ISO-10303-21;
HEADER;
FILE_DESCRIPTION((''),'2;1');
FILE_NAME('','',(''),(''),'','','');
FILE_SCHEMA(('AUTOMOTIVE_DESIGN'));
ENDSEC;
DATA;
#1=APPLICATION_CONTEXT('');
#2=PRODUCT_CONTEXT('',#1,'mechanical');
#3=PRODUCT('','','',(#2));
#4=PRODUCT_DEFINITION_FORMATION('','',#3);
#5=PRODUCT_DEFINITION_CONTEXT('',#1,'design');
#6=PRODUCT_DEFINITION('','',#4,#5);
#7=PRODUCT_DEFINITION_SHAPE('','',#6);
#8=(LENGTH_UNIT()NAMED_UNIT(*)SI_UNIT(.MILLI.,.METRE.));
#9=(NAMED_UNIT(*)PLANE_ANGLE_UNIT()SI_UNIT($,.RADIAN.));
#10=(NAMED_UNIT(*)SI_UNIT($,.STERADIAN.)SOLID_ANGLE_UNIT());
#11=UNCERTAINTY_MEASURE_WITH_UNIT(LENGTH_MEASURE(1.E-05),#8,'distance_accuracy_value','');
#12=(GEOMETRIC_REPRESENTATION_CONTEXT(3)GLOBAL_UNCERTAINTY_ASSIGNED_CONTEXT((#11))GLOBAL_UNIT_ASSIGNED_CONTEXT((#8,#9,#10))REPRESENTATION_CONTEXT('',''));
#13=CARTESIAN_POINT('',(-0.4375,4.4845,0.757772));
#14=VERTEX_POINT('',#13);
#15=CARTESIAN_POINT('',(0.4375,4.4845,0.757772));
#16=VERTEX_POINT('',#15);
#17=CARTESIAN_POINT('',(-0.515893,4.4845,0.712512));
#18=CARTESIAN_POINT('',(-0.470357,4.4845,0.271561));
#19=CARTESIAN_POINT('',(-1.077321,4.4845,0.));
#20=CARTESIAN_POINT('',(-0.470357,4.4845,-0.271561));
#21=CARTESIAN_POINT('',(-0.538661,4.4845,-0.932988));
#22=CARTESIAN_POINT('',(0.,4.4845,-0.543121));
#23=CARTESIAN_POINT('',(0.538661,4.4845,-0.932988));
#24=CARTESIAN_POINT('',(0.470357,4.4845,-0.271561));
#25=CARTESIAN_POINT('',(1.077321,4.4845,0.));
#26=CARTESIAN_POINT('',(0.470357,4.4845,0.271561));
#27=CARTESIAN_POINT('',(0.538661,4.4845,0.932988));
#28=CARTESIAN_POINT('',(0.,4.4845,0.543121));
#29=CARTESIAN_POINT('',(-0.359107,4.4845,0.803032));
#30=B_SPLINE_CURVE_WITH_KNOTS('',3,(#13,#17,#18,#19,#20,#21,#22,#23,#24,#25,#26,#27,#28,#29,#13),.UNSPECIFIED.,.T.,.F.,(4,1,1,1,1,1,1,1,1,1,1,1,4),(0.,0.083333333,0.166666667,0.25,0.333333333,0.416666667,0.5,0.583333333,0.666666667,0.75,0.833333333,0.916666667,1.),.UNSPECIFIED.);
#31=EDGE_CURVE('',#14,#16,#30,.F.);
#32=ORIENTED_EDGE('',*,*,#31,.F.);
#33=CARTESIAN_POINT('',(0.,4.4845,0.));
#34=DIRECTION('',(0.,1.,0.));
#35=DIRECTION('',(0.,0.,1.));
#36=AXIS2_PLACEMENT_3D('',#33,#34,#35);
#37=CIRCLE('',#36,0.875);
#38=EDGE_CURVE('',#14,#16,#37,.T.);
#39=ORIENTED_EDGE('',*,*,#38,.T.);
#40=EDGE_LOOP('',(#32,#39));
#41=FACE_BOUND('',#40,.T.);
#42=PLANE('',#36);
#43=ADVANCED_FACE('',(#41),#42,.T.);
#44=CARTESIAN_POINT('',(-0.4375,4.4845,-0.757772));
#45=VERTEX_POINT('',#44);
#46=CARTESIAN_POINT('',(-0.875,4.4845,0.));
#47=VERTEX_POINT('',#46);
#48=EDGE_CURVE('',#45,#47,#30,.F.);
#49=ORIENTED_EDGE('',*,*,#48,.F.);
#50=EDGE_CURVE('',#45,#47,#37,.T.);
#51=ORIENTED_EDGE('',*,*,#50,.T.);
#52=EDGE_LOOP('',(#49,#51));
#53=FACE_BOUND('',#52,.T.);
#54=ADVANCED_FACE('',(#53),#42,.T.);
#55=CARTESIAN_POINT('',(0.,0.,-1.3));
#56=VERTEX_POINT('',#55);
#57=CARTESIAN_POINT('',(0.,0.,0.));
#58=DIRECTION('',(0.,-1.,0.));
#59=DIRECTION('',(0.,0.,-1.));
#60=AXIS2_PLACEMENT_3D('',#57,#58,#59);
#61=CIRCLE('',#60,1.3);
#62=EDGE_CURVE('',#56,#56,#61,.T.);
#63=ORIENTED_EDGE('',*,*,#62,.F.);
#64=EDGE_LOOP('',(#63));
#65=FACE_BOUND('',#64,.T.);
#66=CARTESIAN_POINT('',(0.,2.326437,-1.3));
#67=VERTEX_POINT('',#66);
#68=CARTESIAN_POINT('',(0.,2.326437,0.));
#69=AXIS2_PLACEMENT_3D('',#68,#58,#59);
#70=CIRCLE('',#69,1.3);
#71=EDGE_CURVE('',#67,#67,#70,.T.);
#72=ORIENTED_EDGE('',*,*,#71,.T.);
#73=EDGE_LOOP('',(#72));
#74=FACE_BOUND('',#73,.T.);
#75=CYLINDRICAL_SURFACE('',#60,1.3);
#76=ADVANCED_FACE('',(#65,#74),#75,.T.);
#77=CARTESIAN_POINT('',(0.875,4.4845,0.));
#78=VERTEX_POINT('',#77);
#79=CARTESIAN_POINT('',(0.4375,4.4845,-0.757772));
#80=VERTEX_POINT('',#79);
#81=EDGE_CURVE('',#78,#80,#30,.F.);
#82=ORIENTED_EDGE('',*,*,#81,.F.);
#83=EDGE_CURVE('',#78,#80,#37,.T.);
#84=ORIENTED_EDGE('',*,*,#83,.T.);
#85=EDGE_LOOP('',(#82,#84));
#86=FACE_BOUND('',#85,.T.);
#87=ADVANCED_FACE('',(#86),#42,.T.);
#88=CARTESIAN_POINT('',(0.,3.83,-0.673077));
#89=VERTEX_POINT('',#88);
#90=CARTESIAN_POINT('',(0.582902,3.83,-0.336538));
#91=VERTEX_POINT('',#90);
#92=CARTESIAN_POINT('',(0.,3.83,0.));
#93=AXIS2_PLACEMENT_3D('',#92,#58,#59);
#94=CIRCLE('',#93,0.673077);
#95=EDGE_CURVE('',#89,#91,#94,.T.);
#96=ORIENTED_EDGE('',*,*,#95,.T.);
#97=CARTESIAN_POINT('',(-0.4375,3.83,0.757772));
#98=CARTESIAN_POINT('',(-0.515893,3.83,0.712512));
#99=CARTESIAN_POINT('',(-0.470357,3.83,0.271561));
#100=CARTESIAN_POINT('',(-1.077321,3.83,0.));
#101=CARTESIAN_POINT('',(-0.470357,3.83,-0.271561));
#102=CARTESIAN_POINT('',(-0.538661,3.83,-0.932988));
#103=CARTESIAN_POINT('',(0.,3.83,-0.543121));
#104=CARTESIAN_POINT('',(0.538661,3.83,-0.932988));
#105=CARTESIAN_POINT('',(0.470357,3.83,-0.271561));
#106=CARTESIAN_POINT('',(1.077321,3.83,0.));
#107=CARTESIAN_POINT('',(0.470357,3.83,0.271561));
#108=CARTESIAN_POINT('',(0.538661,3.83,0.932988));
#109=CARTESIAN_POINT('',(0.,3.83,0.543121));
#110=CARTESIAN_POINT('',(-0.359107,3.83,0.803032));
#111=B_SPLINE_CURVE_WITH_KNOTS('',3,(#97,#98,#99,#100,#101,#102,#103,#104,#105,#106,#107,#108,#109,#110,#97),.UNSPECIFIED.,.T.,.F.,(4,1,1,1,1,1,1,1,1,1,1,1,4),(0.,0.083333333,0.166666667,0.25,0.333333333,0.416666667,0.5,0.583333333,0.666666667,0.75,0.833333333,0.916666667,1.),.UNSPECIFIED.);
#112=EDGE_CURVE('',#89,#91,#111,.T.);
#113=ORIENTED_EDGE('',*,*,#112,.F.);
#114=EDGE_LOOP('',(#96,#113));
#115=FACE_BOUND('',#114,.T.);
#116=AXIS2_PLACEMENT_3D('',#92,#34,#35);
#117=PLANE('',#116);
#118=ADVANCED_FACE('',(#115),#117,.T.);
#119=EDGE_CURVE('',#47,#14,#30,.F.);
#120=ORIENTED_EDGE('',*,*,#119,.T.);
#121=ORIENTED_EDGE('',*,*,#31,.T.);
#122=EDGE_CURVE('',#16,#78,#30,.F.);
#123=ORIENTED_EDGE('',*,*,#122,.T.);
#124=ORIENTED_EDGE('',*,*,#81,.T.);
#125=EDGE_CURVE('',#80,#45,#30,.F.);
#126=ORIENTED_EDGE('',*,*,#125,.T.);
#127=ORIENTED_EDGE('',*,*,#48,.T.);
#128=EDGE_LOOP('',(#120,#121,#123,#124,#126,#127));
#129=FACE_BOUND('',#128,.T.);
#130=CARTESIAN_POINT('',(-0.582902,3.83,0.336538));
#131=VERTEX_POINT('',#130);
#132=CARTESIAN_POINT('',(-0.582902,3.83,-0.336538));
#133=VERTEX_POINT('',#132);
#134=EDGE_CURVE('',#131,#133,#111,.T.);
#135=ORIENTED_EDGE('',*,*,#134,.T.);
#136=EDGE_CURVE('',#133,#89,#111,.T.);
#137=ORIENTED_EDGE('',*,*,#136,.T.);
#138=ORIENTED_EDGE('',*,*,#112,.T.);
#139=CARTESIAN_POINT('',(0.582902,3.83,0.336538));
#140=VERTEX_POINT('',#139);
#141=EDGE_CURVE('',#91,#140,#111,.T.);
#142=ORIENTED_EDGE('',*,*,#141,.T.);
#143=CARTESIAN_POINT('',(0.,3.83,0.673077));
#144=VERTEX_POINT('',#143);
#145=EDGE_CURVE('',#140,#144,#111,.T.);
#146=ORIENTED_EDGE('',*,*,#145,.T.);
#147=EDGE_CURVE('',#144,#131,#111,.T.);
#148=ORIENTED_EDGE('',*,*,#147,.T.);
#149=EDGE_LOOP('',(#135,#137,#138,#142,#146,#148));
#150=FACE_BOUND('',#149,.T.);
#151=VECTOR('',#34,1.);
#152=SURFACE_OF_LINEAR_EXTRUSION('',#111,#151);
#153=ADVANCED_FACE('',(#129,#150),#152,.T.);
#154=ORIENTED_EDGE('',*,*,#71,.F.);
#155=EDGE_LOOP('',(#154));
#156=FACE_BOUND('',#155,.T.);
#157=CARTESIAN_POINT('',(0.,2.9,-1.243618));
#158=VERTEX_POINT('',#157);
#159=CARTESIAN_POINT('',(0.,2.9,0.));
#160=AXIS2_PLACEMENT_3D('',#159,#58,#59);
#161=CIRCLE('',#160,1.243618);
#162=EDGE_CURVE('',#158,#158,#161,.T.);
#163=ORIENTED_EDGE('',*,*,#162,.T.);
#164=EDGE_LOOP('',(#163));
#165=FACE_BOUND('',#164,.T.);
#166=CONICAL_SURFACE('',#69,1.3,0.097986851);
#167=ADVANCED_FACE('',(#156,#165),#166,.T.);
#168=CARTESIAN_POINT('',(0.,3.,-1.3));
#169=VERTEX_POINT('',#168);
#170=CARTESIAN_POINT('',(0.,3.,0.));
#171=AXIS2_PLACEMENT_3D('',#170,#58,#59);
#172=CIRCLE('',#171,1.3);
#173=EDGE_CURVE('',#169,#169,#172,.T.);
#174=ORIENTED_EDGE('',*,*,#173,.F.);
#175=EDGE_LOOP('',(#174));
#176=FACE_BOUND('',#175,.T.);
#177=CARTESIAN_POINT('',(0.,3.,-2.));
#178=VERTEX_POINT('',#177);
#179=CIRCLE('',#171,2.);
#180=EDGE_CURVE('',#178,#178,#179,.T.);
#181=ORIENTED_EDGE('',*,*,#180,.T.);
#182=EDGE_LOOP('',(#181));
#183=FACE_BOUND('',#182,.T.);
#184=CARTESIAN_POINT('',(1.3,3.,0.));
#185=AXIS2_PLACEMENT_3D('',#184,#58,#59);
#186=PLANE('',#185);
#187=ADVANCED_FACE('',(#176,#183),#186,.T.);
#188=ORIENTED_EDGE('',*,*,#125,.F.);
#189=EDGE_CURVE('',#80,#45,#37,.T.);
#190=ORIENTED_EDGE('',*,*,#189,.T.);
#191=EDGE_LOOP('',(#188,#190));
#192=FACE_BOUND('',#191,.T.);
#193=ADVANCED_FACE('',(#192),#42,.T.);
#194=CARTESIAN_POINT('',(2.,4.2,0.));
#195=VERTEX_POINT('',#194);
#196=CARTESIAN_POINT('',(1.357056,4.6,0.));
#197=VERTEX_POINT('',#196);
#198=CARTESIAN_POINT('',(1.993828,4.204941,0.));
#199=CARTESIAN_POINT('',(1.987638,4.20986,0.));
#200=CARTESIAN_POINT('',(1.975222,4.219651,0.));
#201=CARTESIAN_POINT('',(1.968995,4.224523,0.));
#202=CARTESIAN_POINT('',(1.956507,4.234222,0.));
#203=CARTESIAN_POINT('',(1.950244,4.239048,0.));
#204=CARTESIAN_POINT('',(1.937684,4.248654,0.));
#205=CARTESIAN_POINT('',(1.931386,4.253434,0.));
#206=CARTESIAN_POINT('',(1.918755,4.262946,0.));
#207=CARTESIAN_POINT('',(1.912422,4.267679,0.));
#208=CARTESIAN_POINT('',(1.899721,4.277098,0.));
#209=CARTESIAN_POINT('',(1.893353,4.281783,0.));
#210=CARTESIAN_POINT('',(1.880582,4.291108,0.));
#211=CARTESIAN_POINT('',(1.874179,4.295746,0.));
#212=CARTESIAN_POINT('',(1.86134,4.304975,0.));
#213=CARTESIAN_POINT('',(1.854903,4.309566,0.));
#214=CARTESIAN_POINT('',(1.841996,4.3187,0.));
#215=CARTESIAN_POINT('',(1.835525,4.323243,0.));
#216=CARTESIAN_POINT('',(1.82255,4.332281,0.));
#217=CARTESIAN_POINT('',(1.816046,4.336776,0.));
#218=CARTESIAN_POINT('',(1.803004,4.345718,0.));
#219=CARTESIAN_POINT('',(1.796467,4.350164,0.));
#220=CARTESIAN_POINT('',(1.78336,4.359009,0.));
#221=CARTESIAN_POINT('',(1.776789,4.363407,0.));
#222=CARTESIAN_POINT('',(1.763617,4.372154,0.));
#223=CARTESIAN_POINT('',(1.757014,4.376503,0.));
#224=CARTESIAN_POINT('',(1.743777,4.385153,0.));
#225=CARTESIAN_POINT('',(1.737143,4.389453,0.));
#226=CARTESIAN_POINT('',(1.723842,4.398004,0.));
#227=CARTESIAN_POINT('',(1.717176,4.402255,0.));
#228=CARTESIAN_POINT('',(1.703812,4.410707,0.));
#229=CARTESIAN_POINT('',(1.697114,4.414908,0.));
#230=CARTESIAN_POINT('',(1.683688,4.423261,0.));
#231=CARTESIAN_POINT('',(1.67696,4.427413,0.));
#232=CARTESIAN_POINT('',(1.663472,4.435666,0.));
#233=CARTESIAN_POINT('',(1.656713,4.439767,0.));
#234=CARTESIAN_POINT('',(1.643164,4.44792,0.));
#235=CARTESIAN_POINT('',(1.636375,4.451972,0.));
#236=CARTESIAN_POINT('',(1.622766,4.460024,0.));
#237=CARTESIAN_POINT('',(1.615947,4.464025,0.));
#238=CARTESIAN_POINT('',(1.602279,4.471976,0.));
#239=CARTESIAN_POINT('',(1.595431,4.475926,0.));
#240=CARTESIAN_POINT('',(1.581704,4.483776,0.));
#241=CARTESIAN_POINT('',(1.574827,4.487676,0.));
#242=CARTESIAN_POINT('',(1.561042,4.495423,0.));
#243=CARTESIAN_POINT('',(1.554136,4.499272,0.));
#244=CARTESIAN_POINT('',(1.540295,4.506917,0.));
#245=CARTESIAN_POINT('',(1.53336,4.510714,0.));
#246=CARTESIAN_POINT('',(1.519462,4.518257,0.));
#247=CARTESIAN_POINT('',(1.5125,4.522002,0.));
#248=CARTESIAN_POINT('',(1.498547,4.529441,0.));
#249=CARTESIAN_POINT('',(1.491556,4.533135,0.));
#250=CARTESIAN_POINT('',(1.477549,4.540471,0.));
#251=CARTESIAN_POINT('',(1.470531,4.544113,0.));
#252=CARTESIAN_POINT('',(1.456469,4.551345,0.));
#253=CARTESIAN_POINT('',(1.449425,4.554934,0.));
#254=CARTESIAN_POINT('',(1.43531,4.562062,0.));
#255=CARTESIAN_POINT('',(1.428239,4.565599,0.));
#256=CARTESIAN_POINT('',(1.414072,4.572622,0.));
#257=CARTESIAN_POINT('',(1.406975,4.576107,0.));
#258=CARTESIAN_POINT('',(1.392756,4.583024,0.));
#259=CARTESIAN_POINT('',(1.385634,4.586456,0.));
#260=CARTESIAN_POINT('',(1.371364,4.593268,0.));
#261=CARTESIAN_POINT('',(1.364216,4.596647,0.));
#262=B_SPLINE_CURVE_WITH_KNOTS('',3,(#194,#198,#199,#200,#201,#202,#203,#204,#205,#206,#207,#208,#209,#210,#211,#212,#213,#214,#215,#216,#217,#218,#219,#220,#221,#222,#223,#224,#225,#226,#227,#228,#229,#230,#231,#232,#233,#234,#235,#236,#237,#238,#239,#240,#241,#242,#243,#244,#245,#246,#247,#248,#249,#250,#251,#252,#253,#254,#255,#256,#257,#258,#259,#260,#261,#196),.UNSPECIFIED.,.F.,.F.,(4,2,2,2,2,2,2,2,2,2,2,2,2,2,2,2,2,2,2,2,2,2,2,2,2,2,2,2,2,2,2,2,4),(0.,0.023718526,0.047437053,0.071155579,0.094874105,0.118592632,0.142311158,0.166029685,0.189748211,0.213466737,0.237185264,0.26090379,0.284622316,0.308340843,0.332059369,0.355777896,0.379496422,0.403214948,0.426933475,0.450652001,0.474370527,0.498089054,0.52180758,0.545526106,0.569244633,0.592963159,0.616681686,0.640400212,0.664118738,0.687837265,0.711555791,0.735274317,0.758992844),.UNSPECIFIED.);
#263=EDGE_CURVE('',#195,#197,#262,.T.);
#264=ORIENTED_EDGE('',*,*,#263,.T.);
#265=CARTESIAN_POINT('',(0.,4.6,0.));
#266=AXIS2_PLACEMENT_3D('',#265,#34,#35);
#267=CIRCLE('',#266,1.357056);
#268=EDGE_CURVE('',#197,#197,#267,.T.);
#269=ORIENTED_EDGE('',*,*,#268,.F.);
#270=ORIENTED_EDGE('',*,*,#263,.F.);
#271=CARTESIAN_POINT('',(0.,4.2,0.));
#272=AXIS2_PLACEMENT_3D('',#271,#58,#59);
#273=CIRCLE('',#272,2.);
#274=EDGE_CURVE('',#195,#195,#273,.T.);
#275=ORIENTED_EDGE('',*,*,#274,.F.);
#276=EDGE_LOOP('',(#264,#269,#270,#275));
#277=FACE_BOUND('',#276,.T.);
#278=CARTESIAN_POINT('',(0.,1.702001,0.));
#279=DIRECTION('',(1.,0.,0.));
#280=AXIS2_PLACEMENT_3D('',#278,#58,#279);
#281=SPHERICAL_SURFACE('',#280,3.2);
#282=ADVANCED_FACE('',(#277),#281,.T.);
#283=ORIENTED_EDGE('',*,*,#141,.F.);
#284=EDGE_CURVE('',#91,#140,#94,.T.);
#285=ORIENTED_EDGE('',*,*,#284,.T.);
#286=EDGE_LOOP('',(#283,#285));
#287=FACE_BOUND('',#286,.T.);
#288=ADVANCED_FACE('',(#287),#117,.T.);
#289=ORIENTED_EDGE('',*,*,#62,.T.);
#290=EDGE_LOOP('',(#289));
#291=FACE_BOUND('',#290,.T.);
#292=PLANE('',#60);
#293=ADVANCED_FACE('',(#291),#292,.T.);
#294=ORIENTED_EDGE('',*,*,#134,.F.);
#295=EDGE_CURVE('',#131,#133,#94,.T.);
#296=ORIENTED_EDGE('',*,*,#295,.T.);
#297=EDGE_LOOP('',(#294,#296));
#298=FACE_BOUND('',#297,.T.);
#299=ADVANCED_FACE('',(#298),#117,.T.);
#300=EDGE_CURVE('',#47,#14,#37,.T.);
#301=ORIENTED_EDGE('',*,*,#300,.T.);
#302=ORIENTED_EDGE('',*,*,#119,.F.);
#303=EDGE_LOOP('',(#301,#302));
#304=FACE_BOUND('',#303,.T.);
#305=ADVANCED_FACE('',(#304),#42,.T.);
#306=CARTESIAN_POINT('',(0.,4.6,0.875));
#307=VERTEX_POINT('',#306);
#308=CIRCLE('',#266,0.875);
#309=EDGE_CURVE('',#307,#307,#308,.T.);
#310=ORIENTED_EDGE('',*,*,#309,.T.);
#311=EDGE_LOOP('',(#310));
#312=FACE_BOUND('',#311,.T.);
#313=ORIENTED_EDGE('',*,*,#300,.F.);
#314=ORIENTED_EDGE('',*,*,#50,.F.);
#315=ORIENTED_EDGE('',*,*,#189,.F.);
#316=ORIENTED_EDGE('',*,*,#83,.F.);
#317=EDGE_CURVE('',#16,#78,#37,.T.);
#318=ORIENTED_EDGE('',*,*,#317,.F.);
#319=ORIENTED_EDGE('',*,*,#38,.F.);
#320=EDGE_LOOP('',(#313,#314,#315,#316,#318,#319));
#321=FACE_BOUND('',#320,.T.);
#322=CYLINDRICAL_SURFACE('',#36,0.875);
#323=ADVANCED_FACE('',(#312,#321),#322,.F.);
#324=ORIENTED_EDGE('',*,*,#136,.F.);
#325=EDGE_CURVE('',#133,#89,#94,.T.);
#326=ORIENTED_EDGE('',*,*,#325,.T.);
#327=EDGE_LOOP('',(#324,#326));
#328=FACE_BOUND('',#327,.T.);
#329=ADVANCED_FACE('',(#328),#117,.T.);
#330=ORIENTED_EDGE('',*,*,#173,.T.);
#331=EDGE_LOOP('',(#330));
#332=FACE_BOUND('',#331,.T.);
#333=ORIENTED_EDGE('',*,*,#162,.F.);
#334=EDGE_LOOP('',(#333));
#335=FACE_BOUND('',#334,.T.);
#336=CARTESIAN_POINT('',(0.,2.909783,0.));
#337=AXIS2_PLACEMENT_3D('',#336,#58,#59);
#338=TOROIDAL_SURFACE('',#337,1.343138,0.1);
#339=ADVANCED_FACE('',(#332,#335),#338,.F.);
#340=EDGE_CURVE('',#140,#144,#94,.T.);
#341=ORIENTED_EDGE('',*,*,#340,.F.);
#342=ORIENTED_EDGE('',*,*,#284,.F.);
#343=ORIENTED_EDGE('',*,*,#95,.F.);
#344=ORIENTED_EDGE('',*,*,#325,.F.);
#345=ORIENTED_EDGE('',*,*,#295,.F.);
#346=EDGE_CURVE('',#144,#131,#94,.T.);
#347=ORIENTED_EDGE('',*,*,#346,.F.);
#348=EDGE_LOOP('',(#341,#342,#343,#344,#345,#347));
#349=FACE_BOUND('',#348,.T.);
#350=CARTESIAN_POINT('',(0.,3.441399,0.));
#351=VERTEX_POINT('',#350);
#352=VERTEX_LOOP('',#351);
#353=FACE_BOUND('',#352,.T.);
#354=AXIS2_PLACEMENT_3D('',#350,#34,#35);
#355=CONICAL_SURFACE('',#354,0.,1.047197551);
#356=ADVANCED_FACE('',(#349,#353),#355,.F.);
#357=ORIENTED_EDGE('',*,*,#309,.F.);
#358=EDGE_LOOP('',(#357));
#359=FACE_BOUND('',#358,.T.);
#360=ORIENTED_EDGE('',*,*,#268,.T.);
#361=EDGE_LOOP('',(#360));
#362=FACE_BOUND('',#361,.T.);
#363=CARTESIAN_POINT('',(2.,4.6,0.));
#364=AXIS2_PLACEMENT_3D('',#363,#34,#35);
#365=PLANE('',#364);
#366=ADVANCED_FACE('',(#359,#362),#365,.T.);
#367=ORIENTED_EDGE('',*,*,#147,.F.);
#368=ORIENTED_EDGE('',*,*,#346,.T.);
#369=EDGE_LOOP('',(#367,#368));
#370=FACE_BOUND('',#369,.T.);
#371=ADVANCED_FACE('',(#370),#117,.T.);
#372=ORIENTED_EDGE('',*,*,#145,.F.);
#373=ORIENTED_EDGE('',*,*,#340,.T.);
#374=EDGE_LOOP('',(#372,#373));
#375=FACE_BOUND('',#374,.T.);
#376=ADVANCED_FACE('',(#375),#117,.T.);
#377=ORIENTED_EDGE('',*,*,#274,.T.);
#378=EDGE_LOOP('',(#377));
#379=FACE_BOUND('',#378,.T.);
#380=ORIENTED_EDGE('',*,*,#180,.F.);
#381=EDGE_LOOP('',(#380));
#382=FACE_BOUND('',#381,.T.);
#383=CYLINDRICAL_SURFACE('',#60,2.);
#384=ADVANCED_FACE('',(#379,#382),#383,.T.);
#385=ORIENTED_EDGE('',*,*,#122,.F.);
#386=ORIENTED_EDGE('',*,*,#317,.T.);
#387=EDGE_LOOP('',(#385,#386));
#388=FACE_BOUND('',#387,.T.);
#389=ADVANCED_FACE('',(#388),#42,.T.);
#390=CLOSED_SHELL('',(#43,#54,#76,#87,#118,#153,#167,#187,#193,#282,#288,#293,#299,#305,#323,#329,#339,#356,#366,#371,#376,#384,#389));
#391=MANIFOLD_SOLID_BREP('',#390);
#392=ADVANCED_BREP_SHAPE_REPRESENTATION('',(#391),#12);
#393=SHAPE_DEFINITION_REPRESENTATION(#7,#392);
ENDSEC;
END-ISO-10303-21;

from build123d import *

# Parameters (mm, degrees)
RECESS_CUT_EXTRUDE1_DEPTH = 0.77
SKETCH7_R                 = 0.875
RECESS_CUT_EXTRUDE2_DEPTH = 0.1155


with BuildPart() as part:
    # Sketch1 → BODY (revolve)
    with BuildSketch(Plane.XY, mode=Mode.PRIVATE) as body_sk:
        Polygon((0, 0), (1.3, 0), (1.3, 3), (2, 3), (2, 4.6), (0, 4.6), align=None)
    revolve(body_sk.sketch.rotate(Axis((0, 0, 0), (0, 1, 0)), 90), axis=Axis((0, 0, 0), (0, 1, 0)))

    # Sketch2 → HEAD-CUT (revolve, cut)
    with BuildSketch(Plane.XY, mode=Mode.PRIVATE) as head_cut_sk:
        with BuildLine():
            ThreePointArc((3.2, 1.702000801), (2.2627417, 3.9647425), (0, 4.902000801))
            Line((0, 4.902000801), (0, 5.384162371))
            Line((0, 5.384162371), (3.2, 5.384162371))
            Line((3.2, 5.384162371), (3.2, 1.702000801))
        make_face()
    revolve(head_cut_sk.sketch.rotate(Axis((0, 0, 0), (0, 1, 0)), 90), axis=Axis((0, 0, 0), (0, 1, 0)), mode=Mode.SUBTRACT)

    # Sketch4 → GAP (revolve, cut)
    with BuildSketch(Plane.XY, mode=Mode.PRIVATE) as gap_sk:
        with BuildLine():
            Line((-1.3, 2.32643678), (-1.243617781, 2.9))
            ThreePointArc((-1.243617781, 2.9), (-1.256029798, 2.958896603), (-1.3, 3))
            Line((-1.3, 3), (-1.3, 2.32643678))
        make_face()
    revolve(gap_sk.sketch.rotate(Axis((0, 0, 0), (0, 1, 0)), 270), axis=Axis((0, 0, 0), (0, 1, 0)), mode=Mode.SUBTRACT)

    # Sketch5 → Recess-Cut-Extrude1 (cut)
    with BuildSketch(Plane(origin=(0, 4.6, 0), x_dir=(-1, 0, 0), z_dir=(0, 1, 0))):
        with BuildLine():
            add(Edge.make_bspline(
                [(0.4375, 0.757772228), (0.515892835, 0.712512104), (0.470357011, 0.271560747), (1.077321495, 0), (0.470357011, -0.271560747), (0.538660747, -0.932987782), (0, -0.543121493), (-0.538660747, -0.932987782), (-0.470357011, -0.271560747), (-1.077321495, 0), (-0.470357011, 0.271560747), (-0.538660747, 0.932987782), (0, 0.543121493), (0.359107165, 0.803032353), (0.4375, 0.757772228)],
                knots=[0, 0, 0, 0, 0.083333333, 0.166666667, 0.25, 0.333333333, 0.416666667, 0.5, 0.583333333, 0.666666667, 0.75, 0.833333333, 0.916666667, 1, 1, 1, 1], degree=3))
        make_face()
    extrude(amount=-RECESS_CUT_EXTRUDE1_DEPTH, mode=Mode.SUBTRACT)

    # Sketch3 → DRILL-CUT (revolve, cut)
    with BuildSketch(Plane.XY):
        Polygon((0, 3.441398857), (0.673076923, 3.83), (0, 3.83), align=None)
    revolve(axis=Axis((0, 0, 0), (0, 1, 0)), mode=Mode.SUBTRACT)

    # Sketch7 → Recess-Cut-Extrude2 (cut)
    with BuildSketch(Plane(origin=(0, 4.6, 0), x_dir=(-1, 0, 0), z_dir=(0, 1, 0))):
        with Locations(Location((0, 0, 0), (0, 0, 90))):
            Circle(SKETCH7_R)
    extrude(amount=-RECESS_CUT_EXTRUDE2_DEPTH, mode=Mode.SUBTRACT)


solid = part.part
